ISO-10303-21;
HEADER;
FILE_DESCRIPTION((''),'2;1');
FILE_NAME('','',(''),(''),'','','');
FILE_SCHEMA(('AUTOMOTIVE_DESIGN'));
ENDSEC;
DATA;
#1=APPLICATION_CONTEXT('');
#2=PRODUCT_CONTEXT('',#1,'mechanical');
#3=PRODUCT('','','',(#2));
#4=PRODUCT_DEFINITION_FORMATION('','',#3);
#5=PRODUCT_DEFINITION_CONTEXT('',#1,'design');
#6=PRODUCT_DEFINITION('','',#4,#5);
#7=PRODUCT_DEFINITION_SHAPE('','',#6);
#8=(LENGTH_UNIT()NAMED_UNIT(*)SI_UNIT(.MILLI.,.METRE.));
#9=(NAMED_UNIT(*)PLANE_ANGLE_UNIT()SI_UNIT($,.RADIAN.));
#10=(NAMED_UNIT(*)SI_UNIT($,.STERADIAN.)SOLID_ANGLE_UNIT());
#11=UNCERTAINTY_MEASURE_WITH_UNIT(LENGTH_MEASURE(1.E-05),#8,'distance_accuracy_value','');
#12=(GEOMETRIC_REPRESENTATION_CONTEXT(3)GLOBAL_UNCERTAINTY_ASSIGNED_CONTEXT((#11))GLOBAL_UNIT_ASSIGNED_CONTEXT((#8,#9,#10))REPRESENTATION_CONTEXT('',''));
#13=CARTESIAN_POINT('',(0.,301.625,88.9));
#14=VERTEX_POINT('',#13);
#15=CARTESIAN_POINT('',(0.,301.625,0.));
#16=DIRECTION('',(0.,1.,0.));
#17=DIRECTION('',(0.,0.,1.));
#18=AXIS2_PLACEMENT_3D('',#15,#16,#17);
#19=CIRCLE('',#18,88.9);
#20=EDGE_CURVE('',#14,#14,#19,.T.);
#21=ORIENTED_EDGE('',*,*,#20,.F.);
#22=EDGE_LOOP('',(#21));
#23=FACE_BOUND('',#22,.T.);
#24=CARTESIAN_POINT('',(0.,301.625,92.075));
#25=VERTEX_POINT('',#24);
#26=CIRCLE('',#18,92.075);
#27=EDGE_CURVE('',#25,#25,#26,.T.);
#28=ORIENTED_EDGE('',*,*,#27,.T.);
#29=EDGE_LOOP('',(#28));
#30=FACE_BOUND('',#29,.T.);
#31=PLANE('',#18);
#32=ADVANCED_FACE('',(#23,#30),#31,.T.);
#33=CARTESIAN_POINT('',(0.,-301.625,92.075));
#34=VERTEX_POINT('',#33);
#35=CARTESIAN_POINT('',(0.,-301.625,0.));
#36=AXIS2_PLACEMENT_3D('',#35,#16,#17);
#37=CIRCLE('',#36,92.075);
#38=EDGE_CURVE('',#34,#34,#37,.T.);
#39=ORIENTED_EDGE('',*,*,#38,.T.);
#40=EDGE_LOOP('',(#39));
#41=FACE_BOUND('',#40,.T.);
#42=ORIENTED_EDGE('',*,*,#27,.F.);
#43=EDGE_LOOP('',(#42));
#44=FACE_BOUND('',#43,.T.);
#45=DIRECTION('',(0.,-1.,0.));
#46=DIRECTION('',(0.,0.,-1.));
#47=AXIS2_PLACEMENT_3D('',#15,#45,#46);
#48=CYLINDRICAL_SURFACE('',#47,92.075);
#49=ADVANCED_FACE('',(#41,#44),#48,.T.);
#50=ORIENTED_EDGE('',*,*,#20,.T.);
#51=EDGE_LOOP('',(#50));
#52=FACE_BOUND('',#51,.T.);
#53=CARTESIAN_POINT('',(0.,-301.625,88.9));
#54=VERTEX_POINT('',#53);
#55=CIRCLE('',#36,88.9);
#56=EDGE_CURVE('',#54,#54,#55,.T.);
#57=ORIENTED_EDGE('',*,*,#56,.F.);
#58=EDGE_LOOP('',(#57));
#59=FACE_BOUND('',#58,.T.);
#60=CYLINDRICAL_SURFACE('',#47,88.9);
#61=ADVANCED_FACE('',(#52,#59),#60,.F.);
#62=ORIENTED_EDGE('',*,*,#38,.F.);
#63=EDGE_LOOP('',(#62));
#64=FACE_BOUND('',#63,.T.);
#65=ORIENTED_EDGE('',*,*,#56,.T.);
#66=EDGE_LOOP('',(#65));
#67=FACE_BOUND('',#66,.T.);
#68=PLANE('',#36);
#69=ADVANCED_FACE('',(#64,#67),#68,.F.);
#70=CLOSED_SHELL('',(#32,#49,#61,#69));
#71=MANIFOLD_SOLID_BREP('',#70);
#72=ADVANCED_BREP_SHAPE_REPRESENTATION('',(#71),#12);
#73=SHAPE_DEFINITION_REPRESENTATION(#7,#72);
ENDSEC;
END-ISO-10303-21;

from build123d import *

# Parameters (mm, degrees)
SKETCH1_R           = 92.075
SKETCH1_R_2         = 88.9
BOSS_EXTRUDE1_DEPTH = 301.625


with BuildPart() as part:
    # Sketch1 → Boss-Extrude1 (new, symmetric)
    with BuildSketch(Plane(origin=(0, 0, 0), x_dir=(1, 0, 0), z_dir=(0, 1, 0))):
        with Locations(Location((0, 0, 0), (0, 0, 270))):
            Circle(SKETCH1_R)
        with Locations(Location((0, 0, 0), (0, 0, 270))):
            Circle(SKETCH1_R_2, mode=Mode.SUBTRACT)
    extrude(amount=BOSS_EXTRUDE1_DEPTH, both=True)


solid = part.part
